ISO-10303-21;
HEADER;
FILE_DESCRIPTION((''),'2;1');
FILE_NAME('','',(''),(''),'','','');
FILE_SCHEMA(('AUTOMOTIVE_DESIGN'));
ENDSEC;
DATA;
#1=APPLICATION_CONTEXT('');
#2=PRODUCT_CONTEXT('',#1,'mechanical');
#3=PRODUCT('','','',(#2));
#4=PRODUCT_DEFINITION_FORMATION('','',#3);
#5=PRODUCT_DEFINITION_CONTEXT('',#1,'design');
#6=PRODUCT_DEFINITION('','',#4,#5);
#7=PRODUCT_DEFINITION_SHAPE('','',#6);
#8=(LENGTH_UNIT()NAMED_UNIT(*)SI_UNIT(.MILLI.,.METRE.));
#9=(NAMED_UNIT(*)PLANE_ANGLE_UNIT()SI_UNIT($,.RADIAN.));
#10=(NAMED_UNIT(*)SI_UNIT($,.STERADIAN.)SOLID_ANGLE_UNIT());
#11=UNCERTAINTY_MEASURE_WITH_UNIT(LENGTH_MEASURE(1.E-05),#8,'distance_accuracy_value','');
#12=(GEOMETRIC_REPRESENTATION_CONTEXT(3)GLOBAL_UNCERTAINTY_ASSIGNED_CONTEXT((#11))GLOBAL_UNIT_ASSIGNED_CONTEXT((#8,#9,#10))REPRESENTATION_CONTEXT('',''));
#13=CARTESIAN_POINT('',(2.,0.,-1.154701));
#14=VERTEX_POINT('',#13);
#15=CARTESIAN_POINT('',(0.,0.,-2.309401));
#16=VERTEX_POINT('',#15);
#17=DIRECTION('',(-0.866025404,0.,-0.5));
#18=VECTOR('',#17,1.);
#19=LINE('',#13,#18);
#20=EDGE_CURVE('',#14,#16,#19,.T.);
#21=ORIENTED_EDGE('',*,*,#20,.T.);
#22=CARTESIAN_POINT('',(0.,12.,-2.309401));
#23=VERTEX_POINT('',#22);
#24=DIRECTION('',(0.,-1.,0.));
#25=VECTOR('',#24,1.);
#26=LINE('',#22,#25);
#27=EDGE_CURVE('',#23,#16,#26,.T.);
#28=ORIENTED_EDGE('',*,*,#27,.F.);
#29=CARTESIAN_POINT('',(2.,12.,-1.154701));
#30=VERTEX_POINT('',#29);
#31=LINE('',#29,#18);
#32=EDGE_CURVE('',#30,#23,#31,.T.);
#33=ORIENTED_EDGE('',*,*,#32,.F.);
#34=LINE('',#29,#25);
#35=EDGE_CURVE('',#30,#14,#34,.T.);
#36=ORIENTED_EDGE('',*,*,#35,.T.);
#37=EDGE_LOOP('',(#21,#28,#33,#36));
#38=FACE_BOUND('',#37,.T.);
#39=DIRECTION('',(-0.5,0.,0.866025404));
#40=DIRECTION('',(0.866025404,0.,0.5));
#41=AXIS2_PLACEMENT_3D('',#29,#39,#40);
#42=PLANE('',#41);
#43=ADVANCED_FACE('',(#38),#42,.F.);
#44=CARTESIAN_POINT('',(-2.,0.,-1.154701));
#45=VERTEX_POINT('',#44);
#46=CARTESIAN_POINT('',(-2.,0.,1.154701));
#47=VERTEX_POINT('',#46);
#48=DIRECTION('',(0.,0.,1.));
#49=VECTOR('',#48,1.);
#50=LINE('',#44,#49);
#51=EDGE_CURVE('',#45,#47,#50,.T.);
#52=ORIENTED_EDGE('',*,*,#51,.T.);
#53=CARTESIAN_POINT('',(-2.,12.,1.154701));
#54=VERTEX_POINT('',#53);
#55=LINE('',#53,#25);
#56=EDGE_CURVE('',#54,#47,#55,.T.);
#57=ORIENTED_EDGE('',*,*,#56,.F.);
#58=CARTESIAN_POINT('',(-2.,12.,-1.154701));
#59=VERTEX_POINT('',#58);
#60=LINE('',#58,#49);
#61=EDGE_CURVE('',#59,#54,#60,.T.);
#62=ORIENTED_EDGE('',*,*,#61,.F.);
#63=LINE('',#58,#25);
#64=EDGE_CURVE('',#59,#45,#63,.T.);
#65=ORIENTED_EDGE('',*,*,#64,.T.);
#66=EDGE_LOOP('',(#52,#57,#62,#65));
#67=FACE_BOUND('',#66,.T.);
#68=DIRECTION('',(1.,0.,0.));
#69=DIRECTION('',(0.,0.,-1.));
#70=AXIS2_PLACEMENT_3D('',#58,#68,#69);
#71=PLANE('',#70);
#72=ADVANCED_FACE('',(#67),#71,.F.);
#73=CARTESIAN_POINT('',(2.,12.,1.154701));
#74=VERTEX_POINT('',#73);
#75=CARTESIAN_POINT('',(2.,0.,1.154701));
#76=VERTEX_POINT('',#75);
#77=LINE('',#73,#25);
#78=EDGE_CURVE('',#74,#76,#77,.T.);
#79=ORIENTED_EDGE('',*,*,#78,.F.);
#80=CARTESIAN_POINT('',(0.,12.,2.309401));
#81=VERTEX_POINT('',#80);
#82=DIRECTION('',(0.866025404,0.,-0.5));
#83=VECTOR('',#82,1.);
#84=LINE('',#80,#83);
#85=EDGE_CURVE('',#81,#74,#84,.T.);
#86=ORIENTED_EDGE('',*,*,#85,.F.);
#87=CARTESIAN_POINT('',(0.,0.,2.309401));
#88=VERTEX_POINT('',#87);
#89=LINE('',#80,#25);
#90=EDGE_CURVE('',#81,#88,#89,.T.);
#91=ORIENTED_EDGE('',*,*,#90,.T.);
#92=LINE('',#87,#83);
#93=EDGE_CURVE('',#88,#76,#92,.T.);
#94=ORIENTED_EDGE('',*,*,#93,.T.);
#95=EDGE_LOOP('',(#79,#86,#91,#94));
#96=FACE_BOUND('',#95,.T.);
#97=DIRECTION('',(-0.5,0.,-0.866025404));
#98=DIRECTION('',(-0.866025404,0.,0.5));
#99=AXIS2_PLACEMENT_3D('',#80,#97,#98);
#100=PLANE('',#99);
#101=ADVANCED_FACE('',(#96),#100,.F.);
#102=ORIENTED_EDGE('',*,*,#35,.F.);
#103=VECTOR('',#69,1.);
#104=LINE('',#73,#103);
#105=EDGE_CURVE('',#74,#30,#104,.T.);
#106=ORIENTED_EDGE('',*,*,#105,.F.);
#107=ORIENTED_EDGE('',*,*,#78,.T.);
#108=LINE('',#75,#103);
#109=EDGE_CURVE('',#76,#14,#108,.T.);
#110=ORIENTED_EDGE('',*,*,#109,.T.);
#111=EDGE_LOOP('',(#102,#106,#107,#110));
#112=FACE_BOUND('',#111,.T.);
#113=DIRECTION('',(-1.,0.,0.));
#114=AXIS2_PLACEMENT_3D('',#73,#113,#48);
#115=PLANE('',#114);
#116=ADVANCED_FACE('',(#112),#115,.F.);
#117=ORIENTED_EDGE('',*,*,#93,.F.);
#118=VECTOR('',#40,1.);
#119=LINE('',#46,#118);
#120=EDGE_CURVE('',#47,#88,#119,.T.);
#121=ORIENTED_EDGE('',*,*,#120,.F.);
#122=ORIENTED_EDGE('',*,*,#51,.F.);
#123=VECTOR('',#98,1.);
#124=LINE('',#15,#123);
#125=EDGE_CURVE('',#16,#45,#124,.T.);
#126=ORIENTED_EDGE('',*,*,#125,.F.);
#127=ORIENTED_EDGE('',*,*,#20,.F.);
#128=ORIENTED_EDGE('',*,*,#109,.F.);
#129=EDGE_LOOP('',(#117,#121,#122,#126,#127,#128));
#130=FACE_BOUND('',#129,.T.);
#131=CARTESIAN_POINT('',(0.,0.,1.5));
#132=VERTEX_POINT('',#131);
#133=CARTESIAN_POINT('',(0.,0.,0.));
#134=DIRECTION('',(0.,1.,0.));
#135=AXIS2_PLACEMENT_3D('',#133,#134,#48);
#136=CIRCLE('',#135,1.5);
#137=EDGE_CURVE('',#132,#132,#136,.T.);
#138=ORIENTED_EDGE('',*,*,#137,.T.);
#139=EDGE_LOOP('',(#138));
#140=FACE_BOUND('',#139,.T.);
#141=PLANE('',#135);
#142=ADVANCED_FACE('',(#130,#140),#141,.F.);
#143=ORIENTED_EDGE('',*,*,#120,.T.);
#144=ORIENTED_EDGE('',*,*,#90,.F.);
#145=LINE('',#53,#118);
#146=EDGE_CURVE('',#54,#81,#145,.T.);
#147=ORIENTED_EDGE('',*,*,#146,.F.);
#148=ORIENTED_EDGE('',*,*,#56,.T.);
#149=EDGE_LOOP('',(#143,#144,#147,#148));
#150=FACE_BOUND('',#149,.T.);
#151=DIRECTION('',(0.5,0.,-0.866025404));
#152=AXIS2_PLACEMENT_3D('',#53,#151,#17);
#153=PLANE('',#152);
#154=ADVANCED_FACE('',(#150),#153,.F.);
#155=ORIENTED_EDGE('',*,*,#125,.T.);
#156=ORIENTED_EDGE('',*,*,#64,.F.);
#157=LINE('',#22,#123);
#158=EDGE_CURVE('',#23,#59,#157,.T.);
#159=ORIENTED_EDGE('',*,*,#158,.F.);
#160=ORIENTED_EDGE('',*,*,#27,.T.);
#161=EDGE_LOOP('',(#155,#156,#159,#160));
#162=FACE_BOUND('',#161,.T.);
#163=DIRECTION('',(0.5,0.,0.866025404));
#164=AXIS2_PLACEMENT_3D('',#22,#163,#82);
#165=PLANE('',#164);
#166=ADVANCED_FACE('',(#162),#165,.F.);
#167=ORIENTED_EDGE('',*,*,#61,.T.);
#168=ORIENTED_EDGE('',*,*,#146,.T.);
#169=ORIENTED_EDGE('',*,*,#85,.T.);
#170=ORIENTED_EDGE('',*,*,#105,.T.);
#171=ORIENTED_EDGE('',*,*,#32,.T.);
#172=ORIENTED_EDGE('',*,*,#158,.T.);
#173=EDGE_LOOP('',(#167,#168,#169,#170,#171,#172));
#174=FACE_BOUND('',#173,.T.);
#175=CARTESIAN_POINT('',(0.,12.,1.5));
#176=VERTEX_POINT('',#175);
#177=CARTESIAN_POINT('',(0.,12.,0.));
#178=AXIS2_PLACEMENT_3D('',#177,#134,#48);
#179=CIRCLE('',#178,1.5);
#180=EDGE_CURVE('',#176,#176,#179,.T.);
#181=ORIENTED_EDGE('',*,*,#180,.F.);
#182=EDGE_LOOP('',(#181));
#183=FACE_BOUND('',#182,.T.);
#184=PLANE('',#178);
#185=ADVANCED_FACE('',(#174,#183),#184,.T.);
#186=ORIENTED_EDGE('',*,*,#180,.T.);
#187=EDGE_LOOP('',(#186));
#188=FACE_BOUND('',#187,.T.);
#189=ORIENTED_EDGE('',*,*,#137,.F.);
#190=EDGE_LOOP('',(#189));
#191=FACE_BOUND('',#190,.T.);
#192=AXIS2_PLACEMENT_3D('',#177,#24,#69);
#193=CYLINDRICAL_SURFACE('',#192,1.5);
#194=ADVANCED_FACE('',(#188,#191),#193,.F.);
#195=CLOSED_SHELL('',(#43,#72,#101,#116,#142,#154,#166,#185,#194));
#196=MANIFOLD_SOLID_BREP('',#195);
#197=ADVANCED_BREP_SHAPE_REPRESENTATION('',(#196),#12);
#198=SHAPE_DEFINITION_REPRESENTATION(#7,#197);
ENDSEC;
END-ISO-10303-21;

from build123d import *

# Parameters (mm, degrees)
SKETCH_1_R      = 1.5
EXTRUDE_1_DEPTH = 12


with BuildPart() as part:
    # 草图1 → 凸台-拉伸1 (new body)
    with BuildSketch(Plane(origin=(0, 0, 0), x_dir=(1, 0, 0), z_dir=(0, 1, 0))):
        Polygon((0, 2.309401077), (-2, 1.154700538), (-2, -1.154700538), (0, -2.309401077), (2, -1.154700538), (2, 1.154700538), align=None)
        Circle(SKETCH_1_R, mode=Mode.SUBTRACT)
    extrude(amount=EXTRUDE_1_DEPTH)


solid = part.part
